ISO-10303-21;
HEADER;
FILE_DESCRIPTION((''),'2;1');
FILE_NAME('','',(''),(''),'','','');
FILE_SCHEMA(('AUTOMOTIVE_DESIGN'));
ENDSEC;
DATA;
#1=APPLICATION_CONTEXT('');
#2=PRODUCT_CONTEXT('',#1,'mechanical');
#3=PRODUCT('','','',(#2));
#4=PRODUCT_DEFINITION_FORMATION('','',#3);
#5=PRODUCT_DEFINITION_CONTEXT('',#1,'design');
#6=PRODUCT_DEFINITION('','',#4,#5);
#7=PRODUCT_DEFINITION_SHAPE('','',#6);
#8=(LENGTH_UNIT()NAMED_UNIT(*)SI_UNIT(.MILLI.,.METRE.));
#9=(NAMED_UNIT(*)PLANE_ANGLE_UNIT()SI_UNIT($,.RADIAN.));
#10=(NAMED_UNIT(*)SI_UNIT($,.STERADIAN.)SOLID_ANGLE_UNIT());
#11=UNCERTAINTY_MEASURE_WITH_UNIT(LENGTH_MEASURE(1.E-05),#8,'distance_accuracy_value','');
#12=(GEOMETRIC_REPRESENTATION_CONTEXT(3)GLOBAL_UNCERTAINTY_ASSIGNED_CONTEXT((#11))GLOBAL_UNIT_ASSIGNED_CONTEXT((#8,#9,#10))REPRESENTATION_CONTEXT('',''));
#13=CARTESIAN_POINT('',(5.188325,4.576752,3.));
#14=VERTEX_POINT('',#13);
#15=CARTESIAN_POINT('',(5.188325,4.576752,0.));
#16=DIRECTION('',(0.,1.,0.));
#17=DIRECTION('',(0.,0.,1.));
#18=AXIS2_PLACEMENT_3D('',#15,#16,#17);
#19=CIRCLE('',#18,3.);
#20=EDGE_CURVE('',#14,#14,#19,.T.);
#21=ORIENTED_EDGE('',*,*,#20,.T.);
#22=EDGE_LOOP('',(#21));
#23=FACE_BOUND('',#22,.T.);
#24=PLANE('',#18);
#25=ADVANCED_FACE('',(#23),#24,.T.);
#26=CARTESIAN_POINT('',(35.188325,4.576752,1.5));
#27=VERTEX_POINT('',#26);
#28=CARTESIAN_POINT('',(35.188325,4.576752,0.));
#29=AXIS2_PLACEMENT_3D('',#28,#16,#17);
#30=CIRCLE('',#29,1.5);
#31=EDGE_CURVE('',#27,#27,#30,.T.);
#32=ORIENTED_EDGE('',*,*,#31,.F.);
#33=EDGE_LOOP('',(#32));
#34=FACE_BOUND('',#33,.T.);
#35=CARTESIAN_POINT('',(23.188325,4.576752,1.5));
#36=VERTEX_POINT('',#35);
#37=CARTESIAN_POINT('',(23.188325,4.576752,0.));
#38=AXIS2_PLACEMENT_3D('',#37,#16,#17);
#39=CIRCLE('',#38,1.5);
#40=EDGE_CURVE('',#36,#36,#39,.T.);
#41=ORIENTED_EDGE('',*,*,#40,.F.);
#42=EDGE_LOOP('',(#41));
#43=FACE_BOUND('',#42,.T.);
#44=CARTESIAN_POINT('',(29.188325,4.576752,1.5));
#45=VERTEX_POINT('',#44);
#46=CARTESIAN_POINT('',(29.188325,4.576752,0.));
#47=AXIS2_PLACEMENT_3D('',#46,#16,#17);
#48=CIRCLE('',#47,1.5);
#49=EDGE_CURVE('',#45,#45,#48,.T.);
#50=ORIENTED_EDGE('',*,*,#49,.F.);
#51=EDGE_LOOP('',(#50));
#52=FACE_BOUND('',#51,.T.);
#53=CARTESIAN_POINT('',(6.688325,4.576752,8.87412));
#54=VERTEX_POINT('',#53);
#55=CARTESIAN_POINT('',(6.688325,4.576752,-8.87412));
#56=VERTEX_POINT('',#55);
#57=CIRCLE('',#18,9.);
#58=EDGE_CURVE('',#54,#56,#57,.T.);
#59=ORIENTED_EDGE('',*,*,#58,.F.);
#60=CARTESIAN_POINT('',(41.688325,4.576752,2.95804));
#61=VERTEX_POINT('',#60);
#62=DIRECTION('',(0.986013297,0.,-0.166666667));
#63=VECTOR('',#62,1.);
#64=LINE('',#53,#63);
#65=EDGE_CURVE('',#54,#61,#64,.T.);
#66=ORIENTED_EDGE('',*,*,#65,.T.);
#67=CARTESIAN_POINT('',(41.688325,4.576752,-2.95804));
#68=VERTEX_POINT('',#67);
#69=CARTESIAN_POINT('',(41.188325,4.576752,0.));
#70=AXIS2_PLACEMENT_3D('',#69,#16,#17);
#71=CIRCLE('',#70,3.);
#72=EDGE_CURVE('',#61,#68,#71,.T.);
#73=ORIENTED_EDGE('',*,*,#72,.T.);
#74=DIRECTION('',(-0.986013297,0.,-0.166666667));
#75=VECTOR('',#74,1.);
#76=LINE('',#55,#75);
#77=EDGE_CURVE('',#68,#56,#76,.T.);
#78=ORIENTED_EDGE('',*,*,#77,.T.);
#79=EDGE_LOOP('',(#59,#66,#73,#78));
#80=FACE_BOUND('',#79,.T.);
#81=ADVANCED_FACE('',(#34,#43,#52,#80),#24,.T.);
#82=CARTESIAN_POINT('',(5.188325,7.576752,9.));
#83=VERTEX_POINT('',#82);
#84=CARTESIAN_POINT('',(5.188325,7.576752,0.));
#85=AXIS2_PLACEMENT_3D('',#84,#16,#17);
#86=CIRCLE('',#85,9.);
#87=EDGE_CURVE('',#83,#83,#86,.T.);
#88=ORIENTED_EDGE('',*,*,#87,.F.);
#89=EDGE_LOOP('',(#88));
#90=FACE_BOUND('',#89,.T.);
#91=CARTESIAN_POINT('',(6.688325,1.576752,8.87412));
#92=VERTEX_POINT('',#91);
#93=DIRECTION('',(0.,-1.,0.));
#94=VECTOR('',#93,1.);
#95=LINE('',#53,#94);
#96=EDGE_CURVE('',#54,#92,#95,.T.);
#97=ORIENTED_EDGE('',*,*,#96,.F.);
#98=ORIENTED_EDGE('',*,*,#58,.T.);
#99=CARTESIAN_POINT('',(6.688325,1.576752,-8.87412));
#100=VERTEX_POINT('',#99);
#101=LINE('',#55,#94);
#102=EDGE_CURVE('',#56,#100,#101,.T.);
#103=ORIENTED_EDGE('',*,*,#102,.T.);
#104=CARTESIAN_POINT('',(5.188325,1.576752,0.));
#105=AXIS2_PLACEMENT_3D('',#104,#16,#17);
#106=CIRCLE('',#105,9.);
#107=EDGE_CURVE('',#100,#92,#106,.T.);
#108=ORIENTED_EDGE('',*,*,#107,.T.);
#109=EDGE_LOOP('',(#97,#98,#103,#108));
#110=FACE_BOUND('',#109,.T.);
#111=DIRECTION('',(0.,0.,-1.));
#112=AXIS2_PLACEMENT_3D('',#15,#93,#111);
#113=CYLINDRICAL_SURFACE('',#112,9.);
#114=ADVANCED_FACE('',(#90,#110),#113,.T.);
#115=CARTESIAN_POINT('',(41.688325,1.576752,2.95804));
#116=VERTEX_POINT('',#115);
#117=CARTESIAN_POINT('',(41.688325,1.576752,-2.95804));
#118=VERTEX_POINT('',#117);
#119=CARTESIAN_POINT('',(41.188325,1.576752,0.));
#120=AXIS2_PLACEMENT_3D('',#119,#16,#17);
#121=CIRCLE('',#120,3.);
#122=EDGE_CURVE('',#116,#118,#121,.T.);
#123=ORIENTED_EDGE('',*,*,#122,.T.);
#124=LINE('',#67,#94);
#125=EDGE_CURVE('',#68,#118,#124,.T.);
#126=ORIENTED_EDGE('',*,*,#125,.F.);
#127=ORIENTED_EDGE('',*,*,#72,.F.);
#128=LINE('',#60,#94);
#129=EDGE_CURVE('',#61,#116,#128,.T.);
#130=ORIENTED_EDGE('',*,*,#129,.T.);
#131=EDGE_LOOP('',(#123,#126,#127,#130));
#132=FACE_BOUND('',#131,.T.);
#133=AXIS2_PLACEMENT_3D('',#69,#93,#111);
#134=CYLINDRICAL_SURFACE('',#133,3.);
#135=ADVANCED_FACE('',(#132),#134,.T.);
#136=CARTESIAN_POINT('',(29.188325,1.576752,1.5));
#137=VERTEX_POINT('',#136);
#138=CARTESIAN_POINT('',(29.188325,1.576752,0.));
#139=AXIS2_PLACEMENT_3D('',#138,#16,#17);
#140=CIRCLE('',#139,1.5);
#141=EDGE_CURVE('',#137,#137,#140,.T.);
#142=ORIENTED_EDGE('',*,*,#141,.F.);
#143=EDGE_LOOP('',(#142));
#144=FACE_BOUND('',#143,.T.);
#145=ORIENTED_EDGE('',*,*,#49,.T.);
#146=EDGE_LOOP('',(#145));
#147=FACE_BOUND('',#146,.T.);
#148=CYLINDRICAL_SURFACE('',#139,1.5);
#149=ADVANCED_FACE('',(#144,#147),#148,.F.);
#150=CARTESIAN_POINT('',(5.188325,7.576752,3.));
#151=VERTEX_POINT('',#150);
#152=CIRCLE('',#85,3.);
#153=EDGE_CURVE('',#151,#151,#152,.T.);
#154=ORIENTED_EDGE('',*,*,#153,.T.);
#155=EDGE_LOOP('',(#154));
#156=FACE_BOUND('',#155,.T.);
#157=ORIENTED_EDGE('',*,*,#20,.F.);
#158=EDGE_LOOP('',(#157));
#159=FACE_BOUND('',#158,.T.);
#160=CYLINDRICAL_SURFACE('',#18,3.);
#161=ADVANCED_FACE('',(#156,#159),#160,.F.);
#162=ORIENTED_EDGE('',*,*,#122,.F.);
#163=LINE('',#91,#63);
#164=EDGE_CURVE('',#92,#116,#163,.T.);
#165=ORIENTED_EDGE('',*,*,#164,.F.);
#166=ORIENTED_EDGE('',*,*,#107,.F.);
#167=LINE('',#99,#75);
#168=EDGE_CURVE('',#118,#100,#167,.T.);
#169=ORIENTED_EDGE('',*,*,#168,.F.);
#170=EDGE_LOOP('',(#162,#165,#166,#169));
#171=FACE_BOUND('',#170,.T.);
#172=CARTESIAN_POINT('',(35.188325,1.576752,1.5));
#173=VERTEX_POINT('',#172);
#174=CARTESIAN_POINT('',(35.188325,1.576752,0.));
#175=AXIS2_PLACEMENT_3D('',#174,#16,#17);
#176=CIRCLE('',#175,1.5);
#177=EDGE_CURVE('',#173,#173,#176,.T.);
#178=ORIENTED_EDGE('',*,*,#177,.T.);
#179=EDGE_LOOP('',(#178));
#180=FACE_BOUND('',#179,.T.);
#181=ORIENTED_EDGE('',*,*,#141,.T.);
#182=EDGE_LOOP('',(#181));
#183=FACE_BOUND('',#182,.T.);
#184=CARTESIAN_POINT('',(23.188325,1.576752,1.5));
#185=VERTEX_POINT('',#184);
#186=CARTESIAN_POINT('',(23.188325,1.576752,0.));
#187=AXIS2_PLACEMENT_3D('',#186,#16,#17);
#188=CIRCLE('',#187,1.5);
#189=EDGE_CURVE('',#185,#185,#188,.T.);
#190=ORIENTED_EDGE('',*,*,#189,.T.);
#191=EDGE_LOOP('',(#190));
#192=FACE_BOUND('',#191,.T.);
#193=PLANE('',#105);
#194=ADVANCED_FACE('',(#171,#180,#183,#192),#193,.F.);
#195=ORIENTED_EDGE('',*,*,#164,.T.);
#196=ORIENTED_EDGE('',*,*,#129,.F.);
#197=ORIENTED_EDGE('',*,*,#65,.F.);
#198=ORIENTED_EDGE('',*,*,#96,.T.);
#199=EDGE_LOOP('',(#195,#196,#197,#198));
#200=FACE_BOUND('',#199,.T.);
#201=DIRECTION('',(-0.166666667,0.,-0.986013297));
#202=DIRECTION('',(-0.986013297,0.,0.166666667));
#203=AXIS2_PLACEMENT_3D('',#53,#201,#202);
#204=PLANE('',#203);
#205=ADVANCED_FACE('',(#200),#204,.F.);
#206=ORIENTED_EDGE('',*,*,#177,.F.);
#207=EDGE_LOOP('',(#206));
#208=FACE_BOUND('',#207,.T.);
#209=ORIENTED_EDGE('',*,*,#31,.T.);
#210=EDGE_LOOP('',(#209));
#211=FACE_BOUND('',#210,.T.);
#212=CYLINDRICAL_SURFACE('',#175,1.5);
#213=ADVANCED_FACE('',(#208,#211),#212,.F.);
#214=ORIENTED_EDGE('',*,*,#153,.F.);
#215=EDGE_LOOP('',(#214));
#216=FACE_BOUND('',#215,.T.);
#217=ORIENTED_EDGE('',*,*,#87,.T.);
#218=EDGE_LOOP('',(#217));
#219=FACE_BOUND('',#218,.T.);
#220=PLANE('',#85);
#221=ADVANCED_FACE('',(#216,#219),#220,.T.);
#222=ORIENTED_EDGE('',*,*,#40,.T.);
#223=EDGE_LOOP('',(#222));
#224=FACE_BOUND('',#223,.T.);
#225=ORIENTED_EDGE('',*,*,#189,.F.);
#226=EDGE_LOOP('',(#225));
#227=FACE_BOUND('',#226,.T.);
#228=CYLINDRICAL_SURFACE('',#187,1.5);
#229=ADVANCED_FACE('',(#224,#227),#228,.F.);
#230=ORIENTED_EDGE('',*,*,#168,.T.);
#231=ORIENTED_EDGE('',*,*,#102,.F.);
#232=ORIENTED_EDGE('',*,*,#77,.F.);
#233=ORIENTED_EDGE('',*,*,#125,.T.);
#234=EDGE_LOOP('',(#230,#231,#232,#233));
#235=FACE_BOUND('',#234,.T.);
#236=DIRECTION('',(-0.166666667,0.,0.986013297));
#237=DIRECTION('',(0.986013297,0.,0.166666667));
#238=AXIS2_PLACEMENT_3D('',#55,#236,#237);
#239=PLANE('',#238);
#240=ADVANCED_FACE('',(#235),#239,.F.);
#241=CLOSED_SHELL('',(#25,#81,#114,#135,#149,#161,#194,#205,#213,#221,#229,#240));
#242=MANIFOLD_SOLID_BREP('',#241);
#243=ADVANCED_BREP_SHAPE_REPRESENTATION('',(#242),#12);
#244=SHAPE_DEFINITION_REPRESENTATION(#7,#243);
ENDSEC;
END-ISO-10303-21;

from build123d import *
from build123d.topology import SkipClean

# Parameters (mm, degrees)
BOSS_EXTRUDE1_DEPTH = 5
SKETCH2_R           = 15
BOSS_EXTRUDE2_DEPTH = 5
SKETCH3_R           = 5
CUT_EXTRUDE1_DEPTH  = 5
SKETCH4_R           = 2.5
CUT_EXTRUDE2_DEPTH  = 5
SCALE1_SCALE        = 0.6


with BuildPart() as part:
    # Sketch1 → Boss-Extrude1 (new body)
    with BuildSketch(Plane(origin=(0, 0, 0), x_dir=(1, 0, 0), z_dir=(0, 1, 0))):
        with BuildLine():
            Line((2.5, 14.790199458), (60.833333333, 4.930066486))
            ThreePointArc((60.833333333, 4.930066486), (65, 0), (60.833333333, -4.930066486))
            Line((60.833333333, -4.930066486), (2.5, -14.790199458))
            ThreePointArc((2.5, -14.790199458), (-15, 0), (2.5, 14.790199458))
        make_face()
    extrude(amount=BOSS_EXTRUDE1_DEPTH)

    # Sketch2 → Boss-Extrude2 (add)
    with SkipClean():  # the faces are left unmerged after this step: merging them gives an invalid solid
        with BuildSketch(Plane(origin=(0, 5, 0), x_dir=(1, 0, 0), z_dir=(0, 1, 0))):
            with Locations(Location((0, 0, 0), (0, 0, 80.405931773))):
                Circle(SKETCH2_R)
        extrude(amount=BOSS_EXTRUDE2_DEPTH)

    # Sketch3 → Cut-Extrude1 (cut)
    with SkipClean():  # the faces are left unmerged after this step: merging them gives an invalid solid
        with BuildSketch(Plane(origin=(0, 10, 0), x_dir=(1, 0, 0), z_dir=(0, 1, 0))):
            with Locations(Location((0, 0, 0), (0, 0, 270))):
                Circle(SKETCH3_R)
        extrude(amount=-CUT_EXTRUDE1_DEPTH, mode=Mode.SUBTRACT)

    # Sketch4 → Cut-Extrude2 (cut)
    with SkipClean():  # the faces are left unmerged after this step: merging them gives an invalid solid
        with BuildSketch(Plane(origin=(0, 5, 0), x_dir=(1, 0, 0), z_dir=(0, 1, 0))):
            with Locations(Location((50, 0, 0), (0, 0, 270))):
                Circle(SKETCH4_R)
            with Locations(Location((40, 0, 0), (0, 0, 270))):
                Circle(SKETCH4_R)
            with Locations(Location((30, 0, 0), (0, 0, 270))):
                Circle(SKETCH4_R)
        extrude(amount=-CUT_EXTRUDE2_DEPTH, mode=Mode.SUBTRACT)


with BuildPart() as part_1:
    # Scale1: scaled about (12.970813322, 3.941879124, 0)
    add(part.part.scale(SCALE1_SCALE).moved(Location((5.188325329, 1.57675165, 0))))


solid = part_1.part
